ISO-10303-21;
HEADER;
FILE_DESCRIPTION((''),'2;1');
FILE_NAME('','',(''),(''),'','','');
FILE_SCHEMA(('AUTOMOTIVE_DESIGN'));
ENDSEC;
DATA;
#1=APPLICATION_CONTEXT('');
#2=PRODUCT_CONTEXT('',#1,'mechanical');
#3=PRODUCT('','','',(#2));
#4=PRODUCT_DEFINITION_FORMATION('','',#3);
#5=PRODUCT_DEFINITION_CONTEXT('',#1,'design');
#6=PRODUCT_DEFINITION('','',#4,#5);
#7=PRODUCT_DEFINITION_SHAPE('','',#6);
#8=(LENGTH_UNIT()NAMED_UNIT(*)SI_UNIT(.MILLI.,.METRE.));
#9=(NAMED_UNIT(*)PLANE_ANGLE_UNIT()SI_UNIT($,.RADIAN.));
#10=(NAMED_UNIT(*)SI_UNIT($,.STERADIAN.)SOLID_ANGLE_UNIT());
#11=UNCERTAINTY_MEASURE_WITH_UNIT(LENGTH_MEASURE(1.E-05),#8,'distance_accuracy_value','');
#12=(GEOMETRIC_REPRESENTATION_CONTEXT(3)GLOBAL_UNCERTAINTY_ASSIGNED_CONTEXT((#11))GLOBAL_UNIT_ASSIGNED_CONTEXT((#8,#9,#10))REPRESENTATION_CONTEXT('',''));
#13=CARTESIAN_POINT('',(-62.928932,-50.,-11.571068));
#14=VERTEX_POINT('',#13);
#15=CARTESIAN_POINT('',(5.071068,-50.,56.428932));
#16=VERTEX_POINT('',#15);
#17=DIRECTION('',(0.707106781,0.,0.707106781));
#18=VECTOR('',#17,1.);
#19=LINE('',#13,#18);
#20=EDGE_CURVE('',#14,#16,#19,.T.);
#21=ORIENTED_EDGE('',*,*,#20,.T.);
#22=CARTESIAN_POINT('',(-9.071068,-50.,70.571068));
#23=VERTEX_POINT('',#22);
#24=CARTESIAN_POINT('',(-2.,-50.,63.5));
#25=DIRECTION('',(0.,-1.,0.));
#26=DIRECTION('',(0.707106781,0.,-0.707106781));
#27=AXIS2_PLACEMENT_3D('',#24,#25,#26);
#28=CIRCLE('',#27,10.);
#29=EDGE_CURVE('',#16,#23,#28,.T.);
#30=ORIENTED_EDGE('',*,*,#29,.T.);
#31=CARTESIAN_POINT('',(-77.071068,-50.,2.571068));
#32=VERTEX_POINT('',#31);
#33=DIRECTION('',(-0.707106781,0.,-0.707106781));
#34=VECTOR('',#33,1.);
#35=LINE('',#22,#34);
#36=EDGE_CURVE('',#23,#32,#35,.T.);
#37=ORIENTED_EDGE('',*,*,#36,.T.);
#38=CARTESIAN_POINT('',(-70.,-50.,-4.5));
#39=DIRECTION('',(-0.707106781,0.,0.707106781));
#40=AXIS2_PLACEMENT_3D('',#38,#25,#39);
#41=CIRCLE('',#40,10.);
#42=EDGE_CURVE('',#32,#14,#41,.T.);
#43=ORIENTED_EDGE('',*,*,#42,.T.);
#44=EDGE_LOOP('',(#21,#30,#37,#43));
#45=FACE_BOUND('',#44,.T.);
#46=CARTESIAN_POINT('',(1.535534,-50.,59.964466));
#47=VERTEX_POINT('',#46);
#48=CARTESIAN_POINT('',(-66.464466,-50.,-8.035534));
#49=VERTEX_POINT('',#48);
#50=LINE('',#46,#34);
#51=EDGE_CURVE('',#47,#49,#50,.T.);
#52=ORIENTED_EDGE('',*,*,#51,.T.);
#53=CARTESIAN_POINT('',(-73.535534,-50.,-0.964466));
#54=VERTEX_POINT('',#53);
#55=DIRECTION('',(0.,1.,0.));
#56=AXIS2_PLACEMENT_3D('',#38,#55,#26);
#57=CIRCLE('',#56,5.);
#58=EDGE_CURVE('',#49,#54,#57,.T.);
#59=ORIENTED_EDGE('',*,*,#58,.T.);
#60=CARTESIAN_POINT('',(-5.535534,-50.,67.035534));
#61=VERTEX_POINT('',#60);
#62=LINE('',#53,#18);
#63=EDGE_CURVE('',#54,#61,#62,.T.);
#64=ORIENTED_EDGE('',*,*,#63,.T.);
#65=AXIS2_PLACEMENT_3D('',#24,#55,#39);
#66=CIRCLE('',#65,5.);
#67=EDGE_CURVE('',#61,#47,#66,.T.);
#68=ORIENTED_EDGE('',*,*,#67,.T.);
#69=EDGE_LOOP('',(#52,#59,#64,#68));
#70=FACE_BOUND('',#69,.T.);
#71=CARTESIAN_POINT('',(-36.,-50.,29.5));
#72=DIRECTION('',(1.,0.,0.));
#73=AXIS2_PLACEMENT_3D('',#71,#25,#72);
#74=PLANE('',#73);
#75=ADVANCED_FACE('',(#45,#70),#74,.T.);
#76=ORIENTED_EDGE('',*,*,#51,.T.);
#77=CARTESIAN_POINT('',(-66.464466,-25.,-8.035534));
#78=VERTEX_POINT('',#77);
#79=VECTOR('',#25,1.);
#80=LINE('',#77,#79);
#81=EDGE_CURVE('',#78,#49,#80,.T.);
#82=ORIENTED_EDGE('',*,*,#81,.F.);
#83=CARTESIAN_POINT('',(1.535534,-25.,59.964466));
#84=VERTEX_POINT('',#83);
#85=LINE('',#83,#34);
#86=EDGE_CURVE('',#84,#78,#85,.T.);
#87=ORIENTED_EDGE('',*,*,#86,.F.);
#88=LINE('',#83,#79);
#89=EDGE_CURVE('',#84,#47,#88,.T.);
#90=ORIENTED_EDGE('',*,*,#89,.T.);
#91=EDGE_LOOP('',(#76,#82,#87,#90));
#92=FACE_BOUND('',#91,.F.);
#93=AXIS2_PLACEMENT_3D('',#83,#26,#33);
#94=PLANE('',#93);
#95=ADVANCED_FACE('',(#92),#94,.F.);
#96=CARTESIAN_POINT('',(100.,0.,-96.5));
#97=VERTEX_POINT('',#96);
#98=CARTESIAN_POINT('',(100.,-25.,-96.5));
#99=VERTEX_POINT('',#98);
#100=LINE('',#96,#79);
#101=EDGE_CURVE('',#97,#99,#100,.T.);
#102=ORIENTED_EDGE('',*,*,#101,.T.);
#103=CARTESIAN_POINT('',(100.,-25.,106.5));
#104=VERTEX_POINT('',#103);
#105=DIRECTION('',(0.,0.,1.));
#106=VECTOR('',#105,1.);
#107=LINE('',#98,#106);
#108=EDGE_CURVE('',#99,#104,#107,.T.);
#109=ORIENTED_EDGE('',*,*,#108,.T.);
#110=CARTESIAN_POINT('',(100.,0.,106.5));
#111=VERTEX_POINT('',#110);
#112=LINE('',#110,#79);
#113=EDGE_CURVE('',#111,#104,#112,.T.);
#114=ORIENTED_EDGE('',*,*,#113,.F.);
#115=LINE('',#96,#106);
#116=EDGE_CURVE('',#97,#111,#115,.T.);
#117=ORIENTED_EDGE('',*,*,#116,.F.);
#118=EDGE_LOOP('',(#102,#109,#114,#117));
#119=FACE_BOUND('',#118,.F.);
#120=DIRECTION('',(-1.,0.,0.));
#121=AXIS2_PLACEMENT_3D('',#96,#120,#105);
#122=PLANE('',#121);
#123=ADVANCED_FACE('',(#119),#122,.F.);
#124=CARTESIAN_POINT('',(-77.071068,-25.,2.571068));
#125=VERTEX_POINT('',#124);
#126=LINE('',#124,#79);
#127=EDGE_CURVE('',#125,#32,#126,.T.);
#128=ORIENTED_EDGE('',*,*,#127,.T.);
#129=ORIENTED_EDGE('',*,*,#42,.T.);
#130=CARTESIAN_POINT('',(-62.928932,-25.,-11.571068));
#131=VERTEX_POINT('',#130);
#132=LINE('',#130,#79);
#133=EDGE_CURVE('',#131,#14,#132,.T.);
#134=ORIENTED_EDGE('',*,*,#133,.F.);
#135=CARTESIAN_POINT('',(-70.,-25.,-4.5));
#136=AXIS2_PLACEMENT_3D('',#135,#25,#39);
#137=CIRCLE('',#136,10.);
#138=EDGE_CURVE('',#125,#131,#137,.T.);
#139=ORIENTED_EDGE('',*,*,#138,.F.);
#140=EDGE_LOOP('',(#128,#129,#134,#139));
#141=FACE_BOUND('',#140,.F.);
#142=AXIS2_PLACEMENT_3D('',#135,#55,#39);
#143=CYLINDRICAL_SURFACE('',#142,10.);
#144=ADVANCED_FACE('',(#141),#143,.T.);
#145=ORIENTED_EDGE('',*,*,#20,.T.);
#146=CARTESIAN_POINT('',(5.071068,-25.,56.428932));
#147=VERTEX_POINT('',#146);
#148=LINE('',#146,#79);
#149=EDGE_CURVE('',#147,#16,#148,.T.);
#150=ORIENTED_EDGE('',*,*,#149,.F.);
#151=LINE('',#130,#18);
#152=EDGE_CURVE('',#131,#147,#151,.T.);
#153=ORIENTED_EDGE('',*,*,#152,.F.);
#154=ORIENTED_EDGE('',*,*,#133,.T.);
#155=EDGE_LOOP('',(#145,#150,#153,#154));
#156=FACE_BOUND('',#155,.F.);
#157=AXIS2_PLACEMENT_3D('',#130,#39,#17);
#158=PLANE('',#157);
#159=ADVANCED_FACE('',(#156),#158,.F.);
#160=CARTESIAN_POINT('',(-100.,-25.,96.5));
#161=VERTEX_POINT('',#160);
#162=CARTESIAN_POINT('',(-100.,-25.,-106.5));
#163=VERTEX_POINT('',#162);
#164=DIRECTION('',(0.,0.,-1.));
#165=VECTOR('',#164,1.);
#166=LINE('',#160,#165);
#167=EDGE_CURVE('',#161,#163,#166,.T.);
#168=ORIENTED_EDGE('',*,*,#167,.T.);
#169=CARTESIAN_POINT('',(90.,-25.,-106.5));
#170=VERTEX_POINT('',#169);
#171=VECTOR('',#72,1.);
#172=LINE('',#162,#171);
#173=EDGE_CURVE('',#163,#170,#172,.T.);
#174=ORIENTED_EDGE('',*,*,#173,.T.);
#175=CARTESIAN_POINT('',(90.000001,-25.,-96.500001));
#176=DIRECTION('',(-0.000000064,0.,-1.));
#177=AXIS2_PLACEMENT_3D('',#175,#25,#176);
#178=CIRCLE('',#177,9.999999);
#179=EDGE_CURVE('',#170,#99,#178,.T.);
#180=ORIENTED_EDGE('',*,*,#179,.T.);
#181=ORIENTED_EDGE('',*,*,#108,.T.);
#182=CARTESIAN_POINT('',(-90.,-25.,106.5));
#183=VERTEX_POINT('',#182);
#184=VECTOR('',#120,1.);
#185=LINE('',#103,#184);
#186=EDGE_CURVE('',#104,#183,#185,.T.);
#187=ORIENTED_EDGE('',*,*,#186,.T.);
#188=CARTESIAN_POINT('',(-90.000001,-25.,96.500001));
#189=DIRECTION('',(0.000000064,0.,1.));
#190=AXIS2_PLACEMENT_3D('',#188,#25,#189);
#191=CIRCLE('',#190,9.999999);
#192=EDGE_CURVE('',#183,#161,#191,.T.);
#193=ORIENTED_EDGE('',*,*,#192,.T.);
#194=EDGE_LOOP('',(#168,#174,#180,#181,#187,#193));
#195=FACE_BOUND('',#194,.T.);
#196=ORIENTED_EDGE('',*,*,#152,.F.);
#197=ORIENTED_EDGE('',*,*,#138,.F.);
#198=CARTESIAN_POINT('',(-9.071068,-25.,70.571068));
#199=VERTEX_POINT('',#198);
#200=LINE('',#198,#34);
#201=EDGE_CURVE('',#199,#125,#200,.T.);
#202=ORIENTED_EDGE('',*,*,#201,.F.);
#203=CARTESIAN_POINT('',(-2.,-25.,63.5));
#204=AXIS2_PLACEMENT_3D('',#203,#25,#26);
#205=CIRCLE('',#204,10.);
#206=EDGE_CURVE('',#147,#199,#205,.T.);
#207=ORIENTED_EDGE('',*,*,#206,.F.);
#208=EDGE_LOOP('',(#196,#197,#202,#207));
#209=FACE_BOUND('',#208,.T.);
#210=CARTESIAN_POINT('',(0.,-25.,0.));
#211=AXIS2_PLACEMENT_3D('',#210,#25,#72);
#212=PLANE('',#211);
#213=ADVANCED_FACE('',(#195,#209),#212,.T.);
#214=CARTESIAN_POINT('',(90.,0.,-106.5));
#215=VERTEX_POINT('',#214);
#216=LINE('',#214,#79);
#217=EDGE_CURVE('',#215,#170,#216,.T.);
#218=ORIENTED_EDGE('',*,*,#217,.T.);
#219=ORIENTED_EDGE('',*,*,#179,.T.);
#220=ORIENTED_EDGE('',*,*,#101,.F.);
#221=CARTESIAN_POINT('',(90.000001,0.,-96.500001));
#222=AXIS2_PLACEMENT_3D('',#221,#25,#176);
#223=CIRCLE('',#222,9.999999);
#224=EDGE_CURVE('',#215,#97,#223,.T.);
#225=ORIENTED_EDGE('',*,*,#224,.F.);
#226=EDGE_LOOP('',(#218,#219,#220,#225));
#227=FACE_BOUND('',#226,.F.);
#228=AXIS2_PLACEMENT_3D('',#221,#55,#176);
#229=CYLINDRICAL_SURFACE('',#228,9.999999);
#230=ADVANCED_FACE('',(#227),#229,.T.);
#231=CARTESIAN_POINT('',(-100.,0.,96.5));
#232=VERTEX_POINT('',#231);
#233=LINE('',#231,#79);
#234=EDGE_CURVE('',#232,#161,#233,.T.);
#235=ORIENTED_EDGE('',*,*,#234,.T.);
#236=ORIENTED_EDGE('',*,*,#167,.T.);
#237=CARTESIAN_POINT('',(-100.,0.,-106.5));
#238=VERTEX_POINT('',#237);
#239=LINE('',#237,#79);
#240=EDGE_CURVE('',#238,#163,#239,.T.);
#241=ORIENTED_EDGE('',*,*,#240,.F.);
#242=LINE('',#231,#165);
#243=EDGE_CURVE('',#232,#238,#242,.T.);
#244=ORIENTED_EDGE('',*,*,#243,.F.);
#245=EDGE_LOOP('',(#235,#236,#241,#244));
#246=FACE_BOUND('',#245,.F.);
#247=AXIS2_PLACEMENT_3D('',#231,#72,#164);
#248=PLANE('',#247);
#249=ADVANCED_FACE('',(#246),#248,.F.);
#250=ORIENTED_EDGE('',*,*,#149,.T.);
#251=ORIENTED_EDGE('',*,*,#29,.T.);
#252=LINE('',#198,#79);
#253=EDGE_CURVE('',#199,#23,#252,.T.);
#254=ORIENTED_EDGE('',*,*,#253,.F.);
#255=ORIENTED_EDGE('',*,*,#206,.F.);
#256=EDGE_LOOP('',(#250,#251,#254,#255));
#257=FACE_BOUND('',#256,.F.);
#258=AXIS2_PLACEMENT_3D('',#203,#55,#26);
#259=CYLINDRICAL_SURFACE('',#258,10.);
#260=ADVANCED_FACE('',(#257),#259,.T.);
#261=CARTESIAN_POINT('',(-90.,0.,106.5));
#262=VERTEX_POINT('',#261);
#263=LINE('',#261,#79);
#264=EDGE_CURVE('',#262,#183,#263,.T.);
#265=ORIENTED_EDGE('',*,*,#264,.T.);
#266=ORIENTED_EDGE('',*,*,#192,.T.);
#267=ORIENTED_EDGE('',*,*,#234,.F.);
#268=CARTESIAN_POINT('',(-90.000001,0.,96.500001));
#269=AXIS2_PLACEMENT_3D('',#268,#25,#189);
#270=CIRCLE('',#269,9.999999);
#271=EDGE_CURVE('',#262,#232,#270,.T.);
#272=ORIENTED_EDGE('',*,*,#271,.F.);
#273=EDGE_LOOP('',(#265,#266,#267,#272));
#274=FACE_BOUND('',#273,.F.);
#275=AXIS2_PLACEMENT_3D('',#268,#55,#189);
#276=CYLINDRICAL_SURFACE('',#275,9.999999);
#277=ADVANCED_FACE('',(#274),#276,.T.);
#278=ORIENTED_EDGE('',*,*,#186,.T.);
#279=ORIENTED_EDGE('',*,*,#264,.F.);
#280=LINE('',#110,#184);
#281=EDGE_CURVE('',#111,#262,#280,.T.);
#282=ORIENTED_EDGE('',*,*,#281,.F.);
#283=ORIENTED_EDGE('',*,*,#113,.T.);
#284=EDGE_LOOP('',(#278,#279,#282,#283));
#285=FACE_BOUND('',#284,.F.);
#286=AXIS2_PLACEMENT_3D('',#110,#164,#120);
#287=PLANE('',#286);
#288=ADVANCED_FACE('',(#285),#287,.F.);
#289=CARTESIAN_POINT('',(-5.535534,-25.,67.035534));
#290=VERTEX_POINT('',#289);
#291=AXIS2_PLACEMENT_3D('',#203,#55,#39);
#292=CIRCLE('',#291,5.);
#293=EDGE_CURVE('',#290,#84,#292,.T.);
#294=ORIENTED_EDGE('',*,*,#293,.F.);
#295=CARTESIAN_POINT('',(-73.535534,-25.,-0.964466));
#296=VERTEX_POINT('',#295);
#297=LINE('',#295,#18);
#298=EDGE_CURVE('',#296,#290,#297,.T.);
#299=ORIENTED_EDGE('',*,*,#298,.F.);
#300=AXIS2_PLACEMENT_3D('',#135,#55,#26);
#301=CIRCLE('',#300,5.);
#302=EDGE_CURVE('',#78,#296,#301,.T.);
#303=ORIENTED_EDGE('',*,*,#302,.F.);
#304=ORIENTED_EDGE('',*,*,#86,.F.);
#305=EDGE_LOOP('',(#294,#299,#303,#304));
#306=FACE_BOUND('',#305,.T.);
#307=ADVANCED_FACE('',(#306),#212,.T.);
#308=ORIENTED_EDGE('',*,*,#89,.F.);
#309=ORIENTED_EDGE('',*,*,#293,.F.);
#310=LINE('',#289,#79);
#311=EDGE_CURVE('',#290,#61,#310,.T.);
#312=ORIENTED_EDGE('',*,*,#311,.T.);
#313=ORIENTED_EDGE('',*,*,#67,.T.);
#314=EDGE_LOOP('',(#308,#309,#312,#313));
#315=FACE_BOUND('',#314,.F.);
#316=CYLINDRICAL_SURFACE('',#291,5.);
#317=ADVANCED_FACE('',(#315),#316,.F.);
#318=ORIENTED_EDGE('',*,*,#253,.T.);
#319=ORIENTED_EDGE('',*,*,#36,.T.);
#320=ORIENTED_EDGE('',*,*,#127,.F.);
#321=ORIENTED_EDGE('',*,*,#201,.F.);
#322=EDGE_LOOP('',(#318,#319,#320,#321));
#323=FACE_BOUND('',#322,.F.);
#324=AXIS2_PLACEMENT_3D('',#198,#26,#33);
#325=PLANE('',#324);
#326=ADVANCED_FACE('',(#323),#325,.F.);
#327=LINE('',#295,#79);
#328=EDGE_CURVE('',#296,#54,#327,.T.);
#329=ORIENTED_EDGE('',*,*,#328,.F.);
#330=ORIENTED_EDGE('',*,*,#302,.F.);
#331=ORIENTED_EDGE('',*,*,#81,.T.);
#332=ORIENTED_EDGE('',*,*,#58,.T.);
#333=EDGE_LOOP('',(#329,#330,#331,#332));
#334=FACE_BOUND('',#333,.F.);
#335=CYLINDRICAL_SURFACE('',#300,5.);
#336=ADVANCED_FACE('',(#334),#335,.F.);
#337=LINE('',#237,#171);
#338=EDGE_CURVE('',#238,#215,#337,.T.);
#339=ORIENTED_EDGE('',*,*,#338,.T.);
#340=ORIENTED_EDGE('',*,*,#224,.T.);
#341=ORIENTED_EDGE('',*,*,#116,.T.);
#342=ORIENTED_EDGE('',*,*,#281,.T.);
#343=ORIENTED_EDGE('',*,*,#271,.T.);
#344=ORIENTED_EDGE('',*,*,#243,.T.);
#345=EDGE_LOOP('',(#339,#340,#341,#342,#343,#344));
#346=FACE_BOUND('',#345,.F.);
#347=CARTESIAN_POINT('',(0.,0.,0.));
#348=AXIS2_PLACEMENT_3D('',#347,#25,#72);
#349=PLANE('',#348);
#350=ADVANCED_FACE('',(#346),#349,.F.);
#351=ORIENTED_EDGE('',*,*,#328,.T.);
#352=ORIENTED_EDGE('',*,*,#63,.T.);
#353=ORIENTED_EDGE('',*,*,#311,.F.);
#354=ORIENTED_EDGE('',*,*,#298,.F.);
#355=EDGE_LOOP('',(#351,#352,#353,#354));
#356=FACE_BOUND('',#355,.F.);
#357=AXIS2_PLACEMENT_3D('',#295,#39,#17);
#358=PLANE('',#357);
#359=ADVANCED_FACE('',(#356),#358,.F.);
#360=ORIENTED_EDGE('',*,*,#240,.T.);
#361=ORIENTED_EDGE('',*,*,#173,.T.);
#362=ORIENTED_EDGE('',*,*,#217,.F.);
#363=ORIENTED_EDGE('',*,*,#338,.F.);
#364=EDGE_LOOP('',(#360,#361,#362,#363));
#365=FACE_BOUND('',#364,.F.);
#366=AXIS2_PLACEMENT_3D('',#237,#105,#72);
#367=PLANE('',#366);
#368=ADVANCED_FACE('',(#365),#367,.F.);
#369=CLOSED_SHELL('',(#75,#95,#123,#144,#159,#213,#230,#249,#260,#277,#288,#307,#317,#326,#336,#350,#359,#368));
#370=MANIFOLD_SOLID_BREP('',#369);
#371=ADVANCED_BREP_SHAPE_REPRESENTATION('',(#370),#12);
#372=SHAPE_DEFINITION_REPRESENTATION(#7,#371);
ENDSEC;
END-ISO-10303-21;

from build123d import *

# Parameters (mm, degrees)
F1_DEPTH = 25
F3_DEPTH = 25


with BuildPart() as f1:
    # F0 (on Front) → F1 (new body)
    with BuildSketch(Plane.XZ):
        with BuildLine():
            Line((100, -96.5), (100, 106.5))
            Line((100, 106.5), (-90, 106.5))
            ThreePointArc((-90, 106.5), (-97.071068, 103.571068), (-100, 96.5))
            Line((-100, 96.5), (-100, -106.5))
            Line((-100, -106.5), (90, -106.5))
            ThreePointArc((90, -106.5), (97.071068, -103.571068), (100, -96.5))
        make_face()
    extrude(amount=F1_DEPTH)

    # F2 (on face) → F3 (join)
    with BuildSketch(Plane.XZ.offset(25)):
        with BuildLine():
            Line((-62.928932, -11.571068), (5.071068, 56.428932))
            ThreePointArc((5.071068, 56.428932), (5.071068, 70.571068), (-9.071068, 70.571068))
            Line((-9.071068, 70.571068), (-77.071068, 2.571068))
            ThreePointArc((-77.071068, 2.571068), (-77.071068, -11.571068), (-62.928932, -11.571068))
        make_face()
        with BuildLine():
            ThreePointArc((-66.464466, -8.035534), (-73.535534, -8.035534), (-73.535534, -0.964466))
            Line((-73.535534, -0.964466), (-5.535534, 67.035534))
            ThreePointArc((-5.535534, 67.035534), (1.535534, 67.035534), (1.535534, 59.964466))
            Line((1.535534, 59.964466), (-66.464466, -8.035534))
        make_face(mode=Mode.SUBTRACT)
    extrude(amount=F3_DEPTH)


solid = f1.part
